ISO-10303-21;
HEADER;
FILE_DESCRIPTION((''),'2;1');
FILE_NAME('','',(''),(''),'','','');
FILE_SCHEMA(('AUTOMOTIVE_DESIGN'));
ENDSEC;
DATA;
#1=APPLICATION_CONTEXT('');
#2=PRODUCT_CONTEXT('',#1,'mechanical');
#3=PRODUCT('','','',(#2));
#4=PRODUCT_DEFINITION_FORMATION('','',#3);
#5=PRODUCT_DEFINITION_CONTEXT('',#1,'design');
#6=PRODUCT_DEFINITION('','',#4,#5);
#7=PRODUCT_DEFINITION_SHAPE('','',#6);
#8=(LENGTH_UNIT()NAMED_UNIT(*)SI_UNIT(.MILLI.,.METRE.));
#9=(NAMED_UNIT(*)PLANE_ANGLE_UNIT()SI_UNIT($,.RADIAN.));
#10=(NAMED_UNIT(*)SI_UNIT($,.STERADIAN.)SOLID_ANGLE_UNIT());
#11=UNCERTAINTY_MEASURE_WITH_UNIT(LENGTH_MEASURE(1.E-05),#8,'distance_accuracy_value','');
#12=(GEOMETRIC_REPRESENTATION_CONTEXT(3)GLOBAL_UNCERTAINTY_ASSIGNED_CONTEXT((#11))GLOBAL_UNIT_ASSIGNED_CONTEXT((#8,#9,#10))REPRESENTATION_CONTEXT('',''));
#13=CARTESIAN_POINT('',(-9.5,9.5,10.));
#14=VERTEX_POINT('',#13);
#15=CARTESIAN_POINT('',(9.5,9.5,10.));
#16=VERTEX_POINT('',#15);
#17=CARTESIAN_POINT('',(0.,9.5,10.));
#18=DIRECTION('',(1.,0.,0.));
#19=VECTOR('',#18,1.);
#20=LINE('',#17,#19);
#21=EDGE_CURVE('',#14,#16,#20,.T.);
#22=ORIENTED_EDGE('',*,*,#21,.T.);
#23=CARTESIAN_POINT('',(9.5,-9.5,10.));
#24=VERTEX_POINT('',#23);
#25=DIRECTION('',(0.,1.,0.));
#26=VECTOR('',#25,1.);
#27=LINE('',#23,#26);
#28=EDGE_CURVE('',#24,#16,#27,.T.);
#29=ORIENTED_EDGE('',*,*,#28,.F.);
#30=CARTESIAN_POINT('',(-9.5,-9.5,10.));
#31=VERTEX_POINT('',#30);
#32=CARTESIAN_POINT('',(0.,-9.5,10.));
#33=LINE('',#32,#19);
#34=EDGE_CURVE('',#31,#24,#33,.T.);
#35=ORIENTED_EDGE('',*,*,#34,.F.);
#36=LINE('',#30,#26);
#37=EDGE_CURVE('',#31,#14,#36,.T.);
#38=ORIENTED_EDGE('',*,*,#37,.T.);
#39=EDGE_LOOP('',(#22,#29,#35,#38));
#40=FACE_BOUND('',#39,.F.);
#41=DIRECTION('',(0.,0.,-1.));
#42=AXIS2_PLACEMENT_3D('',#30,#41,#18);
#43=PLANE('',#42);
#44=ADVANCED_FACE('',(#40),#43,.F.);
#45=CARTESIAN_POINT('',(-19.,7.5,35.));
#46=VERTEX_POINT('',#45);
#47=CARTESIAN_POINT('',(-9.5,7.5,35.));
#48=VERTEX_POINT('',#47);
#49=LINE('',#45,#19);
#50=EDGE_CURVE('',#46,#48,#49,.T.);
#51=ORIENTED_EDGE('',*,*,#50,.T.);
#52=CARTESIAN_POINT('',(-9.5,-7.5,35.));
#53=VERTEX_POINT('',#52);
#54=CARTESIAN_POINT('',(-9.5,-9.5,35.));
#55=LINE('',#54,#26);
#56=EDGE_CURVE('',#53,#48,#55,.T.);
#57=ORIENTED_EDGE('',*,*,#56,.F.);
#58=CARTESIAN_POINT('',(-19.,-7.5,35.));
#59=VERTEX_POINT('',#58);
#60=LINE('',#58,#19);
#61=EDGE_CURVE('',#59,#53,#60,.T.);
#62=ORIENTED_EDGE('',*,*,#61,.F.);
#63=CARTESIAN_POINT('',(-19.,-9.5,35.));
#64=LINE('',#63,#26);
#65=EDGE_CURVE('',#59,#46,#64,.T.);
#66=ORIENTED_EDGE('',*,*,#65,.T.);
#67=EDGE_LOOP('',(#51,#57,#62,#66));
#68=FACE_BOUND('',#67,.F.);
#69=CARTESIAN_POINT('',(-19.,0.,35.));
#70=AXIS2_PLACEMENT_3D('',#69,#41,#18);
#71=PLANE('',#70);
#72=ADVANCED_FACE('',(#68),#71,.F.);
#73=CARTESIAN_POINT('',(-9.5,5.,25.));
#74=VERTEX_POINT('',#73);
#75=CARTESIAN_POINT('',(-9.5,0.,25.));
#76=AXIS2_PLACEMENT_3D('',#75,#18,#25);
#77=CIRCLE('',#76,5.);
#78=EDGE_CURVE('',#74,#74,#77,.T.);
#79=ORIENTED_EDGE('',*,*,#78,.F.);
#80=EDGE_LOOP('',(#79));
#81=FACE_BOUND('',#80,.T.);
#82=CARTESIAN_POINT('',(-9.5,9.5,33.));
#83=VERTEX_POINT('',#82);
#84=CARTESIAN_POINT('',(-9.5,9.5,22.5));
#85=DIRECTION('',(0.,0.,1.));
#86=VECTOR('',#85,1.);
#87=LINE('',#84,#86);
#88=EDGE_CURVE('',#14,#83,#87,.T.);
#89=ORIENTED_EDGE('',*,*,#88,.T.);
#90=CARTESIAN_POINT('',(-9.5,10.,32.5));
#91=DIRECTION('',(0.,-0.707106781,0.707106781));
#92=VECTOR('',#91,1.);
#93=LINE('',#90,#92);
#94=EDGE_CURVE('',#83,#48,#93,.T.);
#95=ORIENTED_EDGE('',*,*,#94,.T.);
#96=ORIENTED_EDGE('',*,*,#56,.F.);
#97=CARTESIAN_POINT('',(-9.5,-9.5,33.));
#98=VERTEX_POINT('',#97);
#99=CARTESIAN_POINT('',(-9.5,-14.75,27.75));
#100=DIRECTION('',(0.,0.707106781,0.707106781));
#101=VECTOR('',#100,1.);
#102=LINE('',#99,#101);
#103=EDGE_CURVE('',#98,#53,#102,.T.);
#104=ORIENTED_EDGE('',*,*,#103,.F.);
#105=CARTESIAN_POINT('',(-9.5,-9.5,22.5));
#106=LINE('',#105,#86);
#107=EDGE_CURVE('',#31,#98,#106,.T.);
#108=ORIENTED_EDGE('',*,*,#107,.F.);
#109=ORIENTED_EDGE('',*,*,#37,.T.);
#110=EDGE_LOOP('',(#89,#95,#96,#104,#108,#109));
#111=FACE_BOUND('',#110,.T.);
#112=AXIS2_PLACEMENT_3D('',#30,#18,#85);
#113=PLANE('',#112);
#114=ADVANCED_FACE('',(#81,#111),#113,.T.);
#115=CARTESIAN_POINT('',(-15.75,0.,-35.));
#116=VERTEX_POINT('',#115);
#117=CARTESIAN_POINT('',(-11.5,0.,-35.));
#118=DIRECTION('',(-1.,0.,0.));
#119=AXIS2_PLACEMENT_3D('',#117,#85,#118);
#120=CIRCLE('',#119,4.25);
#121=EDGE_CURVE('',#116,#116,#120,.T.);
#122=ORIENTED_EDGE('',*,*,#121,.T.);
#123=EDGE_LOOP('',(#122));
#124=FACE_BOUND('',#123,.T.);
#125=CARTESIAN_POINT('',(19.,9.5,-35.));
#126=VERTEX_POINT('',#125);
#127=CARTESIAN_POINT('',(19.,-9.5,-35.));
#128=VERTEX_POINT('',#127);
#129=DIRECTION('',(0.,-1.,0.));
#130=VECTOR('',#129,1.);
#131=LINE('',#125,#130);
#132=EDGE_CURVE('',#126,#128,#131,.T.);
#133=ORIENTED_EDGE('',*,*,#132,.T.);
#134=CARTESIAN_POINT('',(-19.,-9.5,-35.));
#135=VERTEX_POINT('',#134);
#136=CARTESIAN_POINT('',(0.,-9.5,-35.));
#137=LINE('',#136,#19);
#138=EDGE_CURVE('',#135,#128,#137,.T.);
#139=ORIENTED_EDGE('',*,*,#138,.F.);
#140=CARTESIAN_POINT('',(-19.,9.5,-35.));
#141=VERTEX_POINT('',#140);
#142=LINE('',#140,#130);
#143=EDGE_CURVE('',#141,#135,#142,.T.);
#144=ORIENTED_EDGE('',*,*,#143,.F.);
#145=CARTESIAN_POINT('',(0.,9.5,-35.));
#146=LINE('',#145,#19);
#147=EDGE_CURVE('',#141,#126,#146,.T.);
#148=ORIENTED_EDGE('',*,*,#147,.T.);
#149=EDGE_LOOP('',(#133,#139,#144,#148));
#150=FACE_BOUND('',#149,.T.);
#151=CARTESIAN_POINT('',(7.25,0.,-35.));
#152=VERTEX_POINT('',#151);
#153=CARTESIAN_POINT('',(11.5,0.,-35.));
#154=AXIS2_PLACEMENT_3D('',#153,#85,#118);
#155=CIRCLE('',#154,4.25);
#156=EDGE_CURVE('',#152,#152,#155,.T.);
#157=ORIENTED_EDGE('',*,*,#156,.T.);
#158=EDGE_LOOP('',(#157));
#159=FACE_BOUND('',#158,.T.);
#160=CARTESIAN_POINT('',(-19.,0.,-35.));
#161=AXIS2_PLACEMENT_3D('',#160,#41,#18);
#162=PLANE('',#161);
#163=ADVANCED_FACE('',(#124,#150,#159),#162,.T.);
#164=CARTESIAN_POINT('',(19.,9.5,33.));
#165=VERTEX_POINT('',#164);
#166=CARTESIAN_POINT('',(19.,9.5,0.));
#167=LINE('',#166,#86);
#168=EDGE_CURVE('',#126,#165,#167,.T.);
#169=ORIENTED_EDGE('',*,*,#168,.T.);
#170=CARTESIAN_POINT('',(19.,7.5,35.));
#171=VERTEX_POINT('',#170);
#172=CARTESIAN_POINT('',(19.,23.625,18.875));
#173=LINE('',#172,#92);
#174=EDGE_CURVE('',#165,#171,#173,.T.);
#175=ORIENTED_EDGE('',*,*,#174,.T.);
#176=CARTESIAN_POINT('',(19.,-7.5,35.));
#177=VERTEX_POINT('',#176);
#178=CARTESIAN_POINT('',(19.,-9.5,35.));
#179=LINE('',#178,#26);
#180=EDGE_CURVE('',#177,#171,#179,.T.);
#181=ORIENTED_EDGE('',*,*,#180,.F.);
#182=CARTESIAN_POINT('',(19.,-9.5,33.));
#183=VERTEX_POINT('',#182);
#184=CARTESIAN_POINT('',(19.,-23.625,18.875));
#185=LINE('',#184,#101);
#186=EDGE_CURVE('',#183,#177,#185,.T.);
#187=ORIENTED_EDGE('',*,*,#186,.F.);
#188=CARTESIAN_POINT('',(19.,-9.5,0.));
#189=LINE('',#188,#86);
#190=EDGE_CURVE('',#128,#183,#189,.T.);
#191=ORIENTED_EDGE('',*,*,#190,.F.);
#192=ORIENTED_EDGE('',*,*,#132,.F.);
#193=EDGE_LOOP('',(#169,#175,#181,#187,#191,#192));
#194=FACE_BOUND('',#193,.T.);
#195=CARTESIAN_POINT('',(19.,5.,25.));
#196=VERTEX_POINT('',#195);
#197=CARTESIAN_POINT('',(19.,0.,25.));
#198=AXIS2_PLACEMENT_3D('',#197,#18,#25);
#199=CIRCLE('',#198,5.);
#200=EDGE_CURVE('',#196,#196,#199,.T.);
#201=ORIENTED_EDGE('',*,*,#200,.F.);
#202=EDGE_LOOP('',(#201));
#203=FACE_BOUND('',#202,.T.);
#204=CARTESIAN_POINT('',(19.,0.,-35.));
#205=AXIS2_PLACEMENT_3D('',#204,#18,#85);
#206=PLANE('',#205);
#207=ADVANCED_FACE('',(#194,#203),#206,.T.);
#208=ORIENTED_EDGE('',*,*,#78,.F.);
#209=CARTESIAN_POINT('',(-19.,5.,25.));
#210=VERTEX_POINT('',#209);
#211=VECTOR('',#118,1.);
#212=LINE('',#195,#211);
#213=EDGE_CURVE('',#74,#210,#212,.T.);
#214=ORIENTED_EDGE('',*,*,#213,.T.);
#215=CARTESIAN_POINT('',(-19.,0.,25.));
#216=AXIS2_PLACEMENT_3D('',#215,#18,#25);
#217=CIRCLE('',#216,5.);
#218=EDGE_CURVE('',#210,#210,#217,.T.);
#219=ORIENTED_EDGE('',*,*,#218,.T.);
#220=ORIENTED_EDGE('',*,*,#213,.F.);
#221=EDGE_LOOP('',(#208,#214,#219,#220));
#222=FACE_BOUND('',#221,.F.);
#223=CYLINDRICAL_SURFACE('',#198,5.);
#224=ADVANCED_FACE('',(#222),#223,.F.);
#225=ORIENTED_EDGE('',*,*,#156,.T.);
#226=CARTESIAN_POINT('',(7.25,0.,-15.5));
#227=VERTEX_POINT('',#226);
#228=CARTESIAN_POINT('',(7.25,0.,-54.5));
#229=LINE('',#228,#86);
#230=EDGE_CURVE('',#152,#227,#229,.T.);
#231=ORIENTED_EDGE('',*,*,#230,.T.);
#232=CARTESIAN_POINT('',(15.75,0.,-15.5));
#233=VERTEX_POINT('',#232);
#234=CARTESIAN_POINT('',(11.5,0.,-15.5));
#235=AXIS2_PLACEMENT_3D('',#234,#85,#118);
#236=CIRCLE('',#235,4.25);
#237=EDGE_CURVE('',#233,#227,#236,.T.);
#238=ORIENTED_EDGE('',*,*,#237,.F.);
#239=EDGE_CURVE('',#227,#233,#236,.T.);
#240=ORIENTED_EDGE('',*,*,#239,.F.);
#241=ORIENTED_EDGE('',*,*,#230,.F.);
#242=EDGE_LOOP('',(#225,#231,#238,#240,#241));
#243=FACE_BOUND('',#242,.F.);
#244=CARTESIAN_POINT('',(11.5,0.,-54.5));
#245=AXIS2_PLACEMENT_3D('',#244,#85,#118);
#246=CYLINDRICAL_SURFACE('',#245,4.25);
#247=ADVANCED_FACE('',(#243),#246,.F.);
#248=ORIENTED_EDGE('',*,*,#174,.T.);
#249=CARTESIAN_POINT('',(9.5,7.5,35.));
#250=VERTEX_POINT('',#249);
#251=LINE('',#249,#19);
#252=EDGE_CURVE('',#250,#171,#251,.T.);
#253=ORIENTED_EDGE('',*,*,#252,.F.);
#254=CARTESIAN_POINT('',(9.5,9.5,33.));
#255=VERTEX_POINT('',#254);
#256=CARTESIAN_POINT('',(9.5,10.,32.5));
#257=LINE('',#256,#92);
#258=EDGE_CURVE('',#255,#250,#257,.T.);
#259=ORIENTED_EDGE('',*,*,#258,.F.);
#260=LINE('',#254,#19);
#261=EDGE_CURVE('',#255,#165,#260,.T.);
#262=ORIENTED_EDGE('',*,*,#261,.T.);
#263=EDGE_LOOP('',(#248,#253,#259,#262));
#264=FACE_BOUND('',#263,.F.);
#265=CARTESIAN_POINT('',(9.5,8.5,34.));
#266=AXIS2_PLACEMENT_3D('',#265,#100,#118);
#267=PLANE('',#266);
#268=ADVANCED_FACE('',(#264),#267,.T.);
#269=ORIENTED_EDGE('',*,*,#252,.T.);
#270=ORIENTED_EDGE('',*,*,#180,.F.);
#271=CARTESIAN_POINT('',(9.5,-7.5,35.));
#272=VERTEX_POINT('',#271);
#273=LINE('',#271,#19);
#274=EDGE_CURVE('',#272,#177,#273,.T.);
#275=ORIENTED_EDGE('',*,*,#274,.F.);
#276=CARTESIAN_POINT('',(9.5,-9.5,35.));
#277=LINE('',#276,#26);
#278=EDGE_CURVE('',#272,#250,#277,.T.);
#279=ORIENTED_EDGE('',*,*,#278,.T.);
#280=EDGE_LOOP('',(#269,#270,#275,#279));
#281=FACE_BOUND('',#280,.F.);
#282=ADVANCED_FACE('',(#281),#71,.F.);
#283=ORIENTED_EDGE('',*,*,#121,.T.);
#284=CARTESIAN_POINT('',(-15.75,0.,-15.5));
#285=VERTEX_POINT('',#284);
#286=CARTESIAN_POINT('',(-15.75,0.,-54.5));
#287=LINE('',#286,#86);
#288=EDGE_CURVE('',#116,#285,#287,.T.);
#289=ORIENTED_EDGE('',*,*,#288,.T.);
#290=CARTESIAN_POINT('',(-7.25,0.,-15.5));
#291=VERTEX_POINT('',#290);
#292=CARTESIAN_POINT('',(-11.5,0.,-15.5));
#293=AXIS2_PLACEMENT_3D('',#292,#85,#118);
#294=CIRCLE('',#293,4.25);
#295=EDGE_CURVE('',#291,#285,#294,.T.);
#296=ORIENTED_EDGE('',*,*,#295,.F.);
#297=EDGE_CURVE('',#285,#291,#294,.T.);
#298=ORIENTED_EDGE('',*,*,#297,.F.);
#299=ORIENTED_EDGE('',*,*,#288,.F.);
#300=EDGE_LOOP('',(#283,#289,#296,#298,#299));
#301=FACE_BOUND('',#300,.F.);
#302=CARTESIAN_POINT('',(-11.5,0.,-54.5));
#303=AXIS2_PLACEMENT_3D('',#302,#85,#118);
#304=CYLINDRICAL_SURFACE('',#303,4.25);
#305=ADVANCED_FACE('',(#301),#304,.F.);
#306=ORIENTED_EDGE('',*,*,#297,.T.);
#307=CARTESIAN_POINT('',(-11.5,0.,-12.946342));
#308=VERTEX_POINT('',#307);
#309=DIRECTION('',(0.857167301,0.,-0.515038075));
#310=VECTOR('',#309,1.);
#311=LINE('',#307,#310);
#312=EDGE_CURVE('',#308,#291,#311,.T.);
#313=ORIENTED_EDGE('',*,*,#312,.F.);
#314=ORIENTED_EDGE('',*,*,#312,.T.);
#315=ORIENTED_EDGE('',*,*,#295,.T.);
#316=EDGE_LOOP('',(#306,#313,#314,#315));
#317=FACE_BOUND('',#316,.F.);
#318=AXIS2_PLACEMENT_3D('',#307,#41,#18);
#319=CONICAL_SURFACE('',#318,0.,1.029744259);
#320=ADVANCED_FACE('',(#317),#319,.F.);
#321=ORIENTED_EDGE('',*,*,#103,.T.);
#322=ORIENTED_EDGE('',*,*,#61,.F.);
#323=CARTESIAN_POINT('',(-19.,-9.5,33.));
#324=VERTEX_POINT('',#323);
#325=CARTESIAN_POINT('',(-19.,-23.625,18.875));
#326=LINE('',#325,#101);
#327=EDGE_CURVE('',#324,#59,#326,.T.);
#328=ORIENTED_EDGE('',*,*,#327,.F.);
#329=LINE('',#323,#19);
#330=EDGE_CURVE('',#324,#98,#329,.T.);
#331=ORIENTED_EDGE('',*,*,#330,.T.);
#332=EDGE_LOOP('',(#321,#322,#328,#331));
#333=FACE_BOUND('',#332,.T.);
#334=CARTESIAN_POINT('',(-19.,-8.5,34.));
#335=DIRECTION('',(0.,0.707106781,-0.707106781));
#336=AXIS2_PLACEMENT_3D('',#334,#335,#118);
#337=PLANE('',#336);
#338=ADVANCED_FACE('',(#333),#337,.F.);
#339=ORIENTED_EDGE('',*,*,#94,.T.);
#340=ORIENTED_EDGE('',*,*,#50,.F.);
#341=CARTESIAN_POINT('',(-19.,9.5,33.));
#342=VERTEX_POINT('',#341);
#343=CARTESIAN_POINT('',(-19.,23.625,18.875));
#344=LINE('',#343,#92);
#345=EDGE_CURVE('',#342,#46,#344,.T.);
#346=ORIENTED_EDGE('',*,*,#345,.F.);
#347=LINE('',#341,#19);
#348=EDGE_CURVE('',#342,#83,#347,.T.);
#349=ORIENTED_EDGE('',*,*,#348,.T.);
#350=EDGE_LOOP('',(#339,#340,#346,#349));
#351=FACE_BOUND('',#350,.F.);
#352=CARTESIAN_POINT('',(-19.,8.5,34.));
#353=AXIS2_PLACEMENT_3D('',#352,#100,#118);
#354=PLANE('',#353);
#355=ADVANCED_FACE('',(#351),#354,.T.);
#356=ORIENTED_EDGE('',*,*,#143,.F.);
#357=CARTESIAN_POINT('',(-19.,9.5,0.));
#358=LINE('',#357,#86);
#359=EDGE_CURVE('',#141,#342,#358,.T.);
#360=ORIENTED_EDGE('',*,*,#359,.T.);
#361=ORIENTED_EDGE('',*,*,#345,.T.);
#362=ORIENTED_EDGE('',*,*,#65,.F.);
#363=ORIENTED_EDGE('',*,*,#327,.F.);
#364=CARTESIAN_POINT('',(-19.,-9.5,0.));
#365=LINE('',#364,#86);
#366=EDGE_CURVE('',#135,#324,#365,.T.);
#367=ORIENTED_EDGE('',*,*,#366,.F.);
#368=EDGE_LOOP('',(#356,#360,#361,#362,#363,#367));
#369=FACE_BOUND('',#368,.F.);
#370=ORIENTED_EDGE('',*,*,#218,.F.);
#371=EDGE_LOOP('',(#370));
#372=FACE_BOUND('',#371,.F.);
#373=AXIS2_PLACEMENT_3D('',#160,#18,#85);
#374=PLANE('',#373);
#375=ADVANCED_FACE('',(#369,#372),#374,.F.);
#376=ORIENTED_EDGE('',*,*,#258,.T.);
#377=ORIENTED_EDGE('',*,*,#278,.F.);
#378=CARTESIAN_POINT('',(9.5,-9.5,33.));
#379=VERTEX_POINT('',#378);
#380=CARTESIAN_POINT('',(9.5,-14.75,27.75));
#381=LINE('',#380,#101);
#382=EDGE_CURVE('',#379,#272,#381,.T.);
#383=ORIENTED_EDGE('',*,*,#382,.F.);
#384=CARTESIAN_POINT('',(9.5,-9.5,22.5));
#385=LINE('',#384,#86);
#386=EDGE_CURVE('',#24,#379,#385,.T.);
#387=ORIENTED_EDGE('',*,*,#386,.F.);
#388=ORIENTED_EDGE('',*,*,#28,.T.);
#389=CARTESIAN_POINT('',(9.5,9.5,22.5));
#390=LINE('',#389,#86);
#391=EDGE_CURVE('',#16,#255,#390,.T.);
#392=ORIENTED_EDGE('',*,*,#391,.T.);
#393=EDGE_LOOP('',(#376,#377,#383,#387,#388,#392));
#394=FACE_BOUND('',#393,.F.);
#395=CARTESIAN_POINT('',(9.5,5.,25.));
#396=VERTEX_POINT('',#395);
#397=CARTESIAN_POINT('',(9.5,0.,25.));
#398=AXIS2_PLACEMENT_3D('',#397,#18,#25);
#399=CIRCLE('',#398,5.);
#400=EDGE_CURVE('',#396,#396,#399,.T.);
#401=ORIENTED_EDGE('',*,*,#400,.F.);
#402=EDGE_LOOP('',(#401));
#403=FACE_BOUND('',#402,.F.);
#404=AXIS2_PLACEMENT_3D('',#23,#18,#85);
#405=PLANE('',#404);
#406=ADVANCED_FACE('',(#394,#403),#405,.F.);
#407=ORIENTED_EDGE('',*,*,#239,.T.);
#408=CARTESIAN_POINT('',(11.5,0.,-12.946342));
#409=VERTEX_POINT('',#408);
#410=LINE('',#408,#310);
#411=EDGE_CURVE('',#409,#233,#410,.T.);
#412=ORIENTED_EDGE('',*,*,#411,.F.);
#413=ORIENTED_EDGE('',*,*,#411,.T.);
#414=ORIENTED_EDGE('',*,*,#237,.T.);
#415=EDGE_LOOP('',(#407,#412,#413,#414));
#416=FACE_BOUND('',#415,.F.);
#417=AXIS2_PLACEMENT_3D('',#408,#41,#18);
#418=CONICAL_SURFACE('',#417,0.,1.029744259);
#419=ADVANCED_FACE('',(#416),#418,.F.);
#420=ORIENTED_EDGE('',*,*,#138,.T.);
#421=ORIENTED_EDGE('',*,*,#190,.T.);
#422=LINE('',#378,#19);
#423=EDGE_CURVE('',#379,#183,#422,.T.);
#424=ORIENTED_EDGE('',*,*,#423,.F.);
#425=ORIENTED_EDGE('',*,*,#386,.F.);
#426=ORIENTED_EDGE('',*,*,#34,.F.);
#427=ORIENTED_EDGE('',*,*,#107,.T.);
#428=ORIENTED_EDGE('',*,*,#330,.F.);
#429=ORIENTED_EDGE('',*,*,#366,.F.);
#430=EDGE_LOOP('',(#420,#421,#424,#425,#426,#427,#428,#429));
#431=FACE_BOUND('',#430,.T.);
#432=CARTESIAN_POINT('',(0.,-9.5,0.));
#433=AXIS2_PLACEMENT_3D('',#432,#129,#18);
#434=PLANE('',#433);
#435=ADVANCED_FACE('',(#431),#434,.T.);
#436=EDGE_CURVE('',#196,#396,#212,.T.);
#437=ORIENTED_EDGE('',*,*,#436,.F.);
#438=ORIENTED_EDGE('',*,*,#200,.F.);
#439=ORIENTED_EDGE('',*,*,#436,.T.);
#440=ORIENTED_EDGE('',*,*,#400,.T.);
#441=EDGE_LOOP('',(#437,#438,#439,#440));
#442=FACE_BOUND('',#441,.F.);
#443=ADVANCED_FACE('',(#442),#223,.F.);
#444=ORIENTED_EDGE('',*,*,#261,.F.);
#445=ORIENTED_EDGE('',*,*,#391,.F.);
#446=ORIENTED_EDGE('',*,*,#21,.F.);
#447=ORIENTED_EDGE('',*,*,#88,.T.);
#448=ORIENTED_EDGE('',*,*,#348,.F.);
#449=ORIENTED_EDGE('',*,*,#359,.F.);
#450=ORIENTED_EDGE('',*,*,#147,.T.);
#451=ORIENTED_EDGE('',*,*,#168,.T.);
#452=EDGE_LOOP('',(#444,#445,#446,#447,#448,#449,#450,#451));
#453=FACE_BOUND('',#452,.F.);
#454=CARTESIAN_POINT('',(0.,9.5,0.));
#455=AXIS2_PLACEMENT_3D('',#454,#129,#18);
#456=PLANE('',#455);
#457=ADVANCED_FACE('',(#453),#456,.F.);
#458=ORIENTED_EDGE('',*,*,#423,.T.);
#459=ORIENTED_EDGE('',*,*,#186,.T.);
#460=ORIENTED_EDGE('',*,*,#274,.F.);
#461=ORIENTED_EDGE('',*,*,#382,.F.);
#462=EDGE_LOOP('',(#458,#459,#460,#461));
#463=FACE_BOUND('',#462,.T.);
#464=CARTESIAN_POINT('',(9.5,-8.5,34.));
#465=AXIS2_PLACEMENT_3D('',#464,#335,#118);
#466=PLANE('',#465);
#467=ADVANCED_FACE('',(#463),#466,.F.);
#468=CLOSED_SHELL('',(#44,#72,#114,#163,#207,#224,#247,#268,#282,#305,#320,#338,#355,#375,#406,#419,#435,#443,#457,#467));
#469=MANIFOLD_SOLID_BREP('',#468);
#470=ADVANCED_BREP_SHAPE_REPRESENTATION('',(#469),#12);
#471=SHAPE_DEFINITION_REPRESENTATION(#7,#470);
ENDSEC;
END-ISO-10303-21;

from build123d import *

# Parameters (mm, degrees)
F0_W     = 38
F0_H     = 70
F1_DEPTH = 9.5
F2_W     = 19
F2_H     = 25
F3_DEPTH = 19
F4_R     = 5
F5_DEPTH = 38
F6_SIZE  = 2
F8_D     = 8.5
F8_DEPTH = 19.5
F8_TIP   = 2.5536576309


with BuildPart() as f1:
    # F0 (on Front) → F1 (new body, symmetric)
    with BuildSketch(Plane.XZ):
        Rectangle(F0_W, F0_H)
    extrude(amount=F1_DEPTH, both=True)

    # F2 (on face) → F3 (cut)
    with BuildSketch(Plane.XZ.offset(9.5)):
        with Locations((0, 22.5)):
            Rectangle(F2_W, F2_H)
    extrude(amount=-F3_DEPTH, mode=Mode.SUBTRACT)

    # F4 (on face) → F5 (cut)
    with BuildSketch(Plane.YZ.offset(19)):
        with Locations((0, 25)):
            Circle(F4_R)
    extrude(amount=-F5_DEPTH, mode=Mode.SUBTRACT)

    # F6
    f6_edges = [f1.edges().sort_by_distance(p)[0] for p in [
        (14.25, 9.5, 35),
        (-14.25, 9.5, 35),
        (-14.25, -9.5, 35),
        (14.25, -9.5, 35),
    ]]
    chamfer(f6_edges, length=F6_SIZE)

    # F8
    with Locations(Plane(origin=(0, 0, -35), x_dir=(1, 0, 0), z_dir=(0, 0, -1))):
        with Locations((-11.5, 0), (11.5, 0)):
            Hole(F8_D / 2, depth=F8_DEPTH)
            with Locations((0, 0, -(F8_DEPTH + F8_TIP / 2))):  # 118° drill point
                Cone(0, F8_D / 2, F8_TIP, mode=Mode.SUBTRACT)


solid = f1.part
